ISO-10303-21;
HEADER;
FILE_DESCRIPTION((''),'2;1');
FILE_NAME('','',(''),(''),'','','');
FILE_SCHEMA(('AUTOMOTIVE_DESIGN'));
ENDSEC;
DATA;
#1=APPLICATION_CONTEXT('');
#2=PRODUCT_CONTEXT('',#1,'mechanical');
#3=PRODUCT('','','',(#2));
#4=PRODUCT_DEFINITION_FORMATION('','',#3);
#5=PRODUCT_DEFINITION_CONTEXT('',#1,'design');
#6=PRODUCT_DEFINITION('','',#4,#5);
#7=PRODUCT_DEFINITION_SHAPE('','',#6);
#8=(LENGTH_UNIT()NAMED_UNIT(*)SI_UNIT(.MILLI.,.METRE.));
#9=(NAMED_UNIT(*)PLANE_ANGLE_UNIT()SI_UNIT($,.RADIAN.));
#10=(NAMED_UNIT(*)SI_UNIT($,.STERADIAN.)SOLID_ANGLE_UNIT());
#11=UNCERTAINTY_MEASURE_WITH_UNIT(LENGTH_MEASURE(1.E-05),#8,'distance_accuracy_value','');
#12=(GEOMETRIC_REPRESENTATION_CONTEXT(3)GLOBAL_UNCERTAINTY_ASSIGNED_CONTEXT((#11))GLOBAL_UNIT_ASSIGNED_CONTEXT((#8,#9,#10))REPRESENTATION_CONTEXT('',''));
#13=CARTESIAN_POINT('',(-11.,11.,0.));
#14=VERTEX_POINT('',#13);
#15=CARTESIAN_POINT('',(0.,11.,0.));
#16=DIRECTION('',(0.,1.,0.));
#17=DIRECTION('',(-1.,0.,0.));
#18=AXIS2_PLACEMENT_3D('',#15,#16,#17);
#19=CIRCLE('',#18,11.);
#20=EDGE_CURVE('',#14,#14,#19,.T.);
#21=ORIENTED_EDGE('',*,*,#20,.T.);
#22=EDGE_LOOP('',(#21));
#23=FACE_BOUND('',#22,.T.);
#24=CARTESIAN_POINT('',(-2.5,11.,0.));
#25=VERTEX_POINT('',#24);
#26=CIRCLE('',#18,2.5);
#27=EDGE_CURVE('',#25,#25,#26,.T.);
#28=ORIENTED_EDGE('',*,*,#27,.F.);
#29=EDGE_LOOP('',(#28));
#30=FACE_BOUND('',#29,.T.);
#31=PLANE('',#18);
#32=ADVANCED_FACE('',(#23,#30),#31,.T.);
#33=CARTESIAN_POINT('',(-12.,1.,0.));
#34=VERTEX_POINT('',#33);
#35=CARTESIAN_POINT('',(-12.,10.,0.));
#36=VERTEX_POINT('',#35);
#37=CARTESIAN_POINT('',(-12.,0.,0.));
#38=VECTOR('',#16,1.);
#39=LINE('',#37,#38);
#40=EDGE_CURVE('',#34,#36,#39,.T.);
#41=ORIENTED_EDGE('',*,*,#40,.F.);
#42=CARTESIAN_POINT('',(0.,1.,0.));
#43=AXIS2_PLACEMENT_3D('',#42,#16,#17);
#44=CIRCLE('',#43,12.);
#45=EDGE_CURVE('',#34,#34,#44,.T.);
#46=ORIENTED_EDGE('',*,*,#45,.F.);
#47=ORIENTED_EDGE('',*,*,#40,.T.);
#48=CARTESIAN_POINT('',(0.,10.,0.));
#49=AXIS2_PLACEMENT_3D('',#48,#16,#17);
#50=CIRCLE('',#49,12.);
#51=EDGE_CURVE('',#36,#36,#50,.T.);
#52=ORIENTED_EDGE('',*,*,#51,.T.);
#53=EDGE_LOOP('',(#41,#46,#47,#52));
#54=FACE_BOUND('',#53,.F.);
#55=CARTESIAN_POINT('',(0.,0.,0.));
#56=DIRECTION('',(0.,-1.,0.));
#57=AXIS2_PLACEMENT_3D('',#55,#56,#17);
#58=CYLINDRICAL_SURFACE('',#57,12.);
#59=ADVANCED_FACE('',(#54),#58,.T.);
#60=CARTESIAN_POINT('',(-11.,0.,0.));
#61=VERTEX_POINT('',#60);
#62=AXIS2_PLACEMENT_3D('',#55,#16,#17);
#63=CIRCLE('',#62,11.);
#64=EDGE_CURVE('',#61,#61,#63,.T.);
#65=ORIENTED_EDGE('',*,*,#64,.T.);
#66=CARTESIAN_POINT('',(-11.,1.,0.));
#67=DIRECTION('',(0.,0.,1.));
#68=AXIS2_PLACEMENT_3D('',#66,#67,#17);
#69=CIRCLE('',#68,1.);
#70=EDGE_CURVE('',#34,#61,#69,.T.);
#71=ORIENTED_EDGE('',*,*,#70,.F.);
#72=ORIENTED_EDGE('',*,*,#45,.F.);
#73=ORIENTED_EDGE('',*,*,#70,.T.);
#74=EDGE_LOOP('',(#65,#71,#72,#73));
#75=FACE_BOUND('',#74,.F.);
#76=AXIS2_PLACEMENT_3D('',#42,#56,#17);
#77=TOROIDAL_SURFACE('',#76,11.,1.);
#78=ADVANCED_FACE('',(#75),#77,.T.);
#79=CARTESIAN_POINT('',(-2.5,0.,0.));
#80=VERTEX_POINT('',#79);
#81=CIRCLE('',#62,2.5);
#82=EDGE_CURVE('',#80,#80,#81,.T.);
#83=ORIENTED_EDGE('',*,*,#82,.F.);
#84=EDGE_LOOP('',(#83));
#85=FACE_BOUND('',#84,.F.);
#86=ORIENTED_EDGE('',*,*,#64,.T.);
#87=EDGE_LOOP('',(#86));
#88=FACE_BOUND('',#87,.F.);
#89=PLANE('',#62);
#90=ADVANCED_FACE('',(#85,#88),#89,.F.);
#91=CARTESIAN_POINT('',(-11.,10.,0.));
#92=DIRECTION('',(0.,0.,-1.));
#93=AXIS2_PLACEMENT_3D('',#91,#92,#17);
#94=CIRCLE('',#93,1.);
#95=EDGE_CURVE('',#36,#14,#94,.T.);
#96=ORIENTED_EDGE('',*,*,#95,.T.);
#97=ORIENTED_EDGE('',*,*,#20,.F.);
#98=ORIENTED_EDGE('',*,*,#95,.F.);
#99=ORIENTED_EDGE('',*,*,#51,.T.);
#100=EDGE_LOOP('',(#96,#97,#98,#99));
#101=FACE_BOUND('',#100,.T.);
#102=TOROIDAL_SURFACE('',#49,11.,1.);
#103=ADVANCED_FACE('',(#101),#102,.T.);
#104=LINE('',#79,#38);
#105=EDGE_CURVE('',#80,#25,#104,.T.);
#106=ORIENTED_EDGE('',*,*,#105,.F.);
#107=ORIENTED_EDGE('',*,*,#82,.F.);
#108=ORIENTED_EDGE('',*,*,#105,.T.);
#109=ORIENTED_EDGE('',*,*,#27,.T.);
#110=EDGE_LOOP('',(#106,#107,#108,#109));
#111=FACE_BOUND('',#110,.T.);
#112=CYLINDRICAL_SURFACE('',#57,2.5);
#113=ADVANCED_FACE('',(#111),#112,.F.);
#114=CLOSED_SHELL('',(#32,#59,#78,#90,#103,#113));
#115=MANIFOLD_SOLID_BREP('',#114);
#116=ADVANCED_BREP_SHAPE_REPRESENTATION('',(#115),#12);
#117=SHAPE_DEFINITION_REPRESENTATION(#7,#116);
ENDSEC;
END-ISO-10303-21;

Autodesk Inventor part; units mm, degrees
ref_plane "YZ Plane" through (0, 0, 0) normal (1, 0, 0) x (0, 1, 0)
ref_plane "XZ Plane" through (0, 0, 0) normal (0, 1, 0) x (-1, 0, 0)
ref_plane "XY Plane" through (0, 0, 0) normal (0, 0, 1) x (1, 0, 0)
sketch "Sketch1" plane through (0, 0, 0) normal (0, 1, 0) x (-1, 0, 0)
  circle A0 centre (0, 0) radius 12
  circle A1 centre (0, 0) radius 2.5
  dimension "d0" = 24
  dimension "d1" = 5
extrude "Extrusion1" add sketch "Sketch1" along normal blind 11
fillet "Fillet1" radius 1 2 edges at (12, 11, 0) (12, 0, 0)
properties part number "11mm_BearingWheel"
